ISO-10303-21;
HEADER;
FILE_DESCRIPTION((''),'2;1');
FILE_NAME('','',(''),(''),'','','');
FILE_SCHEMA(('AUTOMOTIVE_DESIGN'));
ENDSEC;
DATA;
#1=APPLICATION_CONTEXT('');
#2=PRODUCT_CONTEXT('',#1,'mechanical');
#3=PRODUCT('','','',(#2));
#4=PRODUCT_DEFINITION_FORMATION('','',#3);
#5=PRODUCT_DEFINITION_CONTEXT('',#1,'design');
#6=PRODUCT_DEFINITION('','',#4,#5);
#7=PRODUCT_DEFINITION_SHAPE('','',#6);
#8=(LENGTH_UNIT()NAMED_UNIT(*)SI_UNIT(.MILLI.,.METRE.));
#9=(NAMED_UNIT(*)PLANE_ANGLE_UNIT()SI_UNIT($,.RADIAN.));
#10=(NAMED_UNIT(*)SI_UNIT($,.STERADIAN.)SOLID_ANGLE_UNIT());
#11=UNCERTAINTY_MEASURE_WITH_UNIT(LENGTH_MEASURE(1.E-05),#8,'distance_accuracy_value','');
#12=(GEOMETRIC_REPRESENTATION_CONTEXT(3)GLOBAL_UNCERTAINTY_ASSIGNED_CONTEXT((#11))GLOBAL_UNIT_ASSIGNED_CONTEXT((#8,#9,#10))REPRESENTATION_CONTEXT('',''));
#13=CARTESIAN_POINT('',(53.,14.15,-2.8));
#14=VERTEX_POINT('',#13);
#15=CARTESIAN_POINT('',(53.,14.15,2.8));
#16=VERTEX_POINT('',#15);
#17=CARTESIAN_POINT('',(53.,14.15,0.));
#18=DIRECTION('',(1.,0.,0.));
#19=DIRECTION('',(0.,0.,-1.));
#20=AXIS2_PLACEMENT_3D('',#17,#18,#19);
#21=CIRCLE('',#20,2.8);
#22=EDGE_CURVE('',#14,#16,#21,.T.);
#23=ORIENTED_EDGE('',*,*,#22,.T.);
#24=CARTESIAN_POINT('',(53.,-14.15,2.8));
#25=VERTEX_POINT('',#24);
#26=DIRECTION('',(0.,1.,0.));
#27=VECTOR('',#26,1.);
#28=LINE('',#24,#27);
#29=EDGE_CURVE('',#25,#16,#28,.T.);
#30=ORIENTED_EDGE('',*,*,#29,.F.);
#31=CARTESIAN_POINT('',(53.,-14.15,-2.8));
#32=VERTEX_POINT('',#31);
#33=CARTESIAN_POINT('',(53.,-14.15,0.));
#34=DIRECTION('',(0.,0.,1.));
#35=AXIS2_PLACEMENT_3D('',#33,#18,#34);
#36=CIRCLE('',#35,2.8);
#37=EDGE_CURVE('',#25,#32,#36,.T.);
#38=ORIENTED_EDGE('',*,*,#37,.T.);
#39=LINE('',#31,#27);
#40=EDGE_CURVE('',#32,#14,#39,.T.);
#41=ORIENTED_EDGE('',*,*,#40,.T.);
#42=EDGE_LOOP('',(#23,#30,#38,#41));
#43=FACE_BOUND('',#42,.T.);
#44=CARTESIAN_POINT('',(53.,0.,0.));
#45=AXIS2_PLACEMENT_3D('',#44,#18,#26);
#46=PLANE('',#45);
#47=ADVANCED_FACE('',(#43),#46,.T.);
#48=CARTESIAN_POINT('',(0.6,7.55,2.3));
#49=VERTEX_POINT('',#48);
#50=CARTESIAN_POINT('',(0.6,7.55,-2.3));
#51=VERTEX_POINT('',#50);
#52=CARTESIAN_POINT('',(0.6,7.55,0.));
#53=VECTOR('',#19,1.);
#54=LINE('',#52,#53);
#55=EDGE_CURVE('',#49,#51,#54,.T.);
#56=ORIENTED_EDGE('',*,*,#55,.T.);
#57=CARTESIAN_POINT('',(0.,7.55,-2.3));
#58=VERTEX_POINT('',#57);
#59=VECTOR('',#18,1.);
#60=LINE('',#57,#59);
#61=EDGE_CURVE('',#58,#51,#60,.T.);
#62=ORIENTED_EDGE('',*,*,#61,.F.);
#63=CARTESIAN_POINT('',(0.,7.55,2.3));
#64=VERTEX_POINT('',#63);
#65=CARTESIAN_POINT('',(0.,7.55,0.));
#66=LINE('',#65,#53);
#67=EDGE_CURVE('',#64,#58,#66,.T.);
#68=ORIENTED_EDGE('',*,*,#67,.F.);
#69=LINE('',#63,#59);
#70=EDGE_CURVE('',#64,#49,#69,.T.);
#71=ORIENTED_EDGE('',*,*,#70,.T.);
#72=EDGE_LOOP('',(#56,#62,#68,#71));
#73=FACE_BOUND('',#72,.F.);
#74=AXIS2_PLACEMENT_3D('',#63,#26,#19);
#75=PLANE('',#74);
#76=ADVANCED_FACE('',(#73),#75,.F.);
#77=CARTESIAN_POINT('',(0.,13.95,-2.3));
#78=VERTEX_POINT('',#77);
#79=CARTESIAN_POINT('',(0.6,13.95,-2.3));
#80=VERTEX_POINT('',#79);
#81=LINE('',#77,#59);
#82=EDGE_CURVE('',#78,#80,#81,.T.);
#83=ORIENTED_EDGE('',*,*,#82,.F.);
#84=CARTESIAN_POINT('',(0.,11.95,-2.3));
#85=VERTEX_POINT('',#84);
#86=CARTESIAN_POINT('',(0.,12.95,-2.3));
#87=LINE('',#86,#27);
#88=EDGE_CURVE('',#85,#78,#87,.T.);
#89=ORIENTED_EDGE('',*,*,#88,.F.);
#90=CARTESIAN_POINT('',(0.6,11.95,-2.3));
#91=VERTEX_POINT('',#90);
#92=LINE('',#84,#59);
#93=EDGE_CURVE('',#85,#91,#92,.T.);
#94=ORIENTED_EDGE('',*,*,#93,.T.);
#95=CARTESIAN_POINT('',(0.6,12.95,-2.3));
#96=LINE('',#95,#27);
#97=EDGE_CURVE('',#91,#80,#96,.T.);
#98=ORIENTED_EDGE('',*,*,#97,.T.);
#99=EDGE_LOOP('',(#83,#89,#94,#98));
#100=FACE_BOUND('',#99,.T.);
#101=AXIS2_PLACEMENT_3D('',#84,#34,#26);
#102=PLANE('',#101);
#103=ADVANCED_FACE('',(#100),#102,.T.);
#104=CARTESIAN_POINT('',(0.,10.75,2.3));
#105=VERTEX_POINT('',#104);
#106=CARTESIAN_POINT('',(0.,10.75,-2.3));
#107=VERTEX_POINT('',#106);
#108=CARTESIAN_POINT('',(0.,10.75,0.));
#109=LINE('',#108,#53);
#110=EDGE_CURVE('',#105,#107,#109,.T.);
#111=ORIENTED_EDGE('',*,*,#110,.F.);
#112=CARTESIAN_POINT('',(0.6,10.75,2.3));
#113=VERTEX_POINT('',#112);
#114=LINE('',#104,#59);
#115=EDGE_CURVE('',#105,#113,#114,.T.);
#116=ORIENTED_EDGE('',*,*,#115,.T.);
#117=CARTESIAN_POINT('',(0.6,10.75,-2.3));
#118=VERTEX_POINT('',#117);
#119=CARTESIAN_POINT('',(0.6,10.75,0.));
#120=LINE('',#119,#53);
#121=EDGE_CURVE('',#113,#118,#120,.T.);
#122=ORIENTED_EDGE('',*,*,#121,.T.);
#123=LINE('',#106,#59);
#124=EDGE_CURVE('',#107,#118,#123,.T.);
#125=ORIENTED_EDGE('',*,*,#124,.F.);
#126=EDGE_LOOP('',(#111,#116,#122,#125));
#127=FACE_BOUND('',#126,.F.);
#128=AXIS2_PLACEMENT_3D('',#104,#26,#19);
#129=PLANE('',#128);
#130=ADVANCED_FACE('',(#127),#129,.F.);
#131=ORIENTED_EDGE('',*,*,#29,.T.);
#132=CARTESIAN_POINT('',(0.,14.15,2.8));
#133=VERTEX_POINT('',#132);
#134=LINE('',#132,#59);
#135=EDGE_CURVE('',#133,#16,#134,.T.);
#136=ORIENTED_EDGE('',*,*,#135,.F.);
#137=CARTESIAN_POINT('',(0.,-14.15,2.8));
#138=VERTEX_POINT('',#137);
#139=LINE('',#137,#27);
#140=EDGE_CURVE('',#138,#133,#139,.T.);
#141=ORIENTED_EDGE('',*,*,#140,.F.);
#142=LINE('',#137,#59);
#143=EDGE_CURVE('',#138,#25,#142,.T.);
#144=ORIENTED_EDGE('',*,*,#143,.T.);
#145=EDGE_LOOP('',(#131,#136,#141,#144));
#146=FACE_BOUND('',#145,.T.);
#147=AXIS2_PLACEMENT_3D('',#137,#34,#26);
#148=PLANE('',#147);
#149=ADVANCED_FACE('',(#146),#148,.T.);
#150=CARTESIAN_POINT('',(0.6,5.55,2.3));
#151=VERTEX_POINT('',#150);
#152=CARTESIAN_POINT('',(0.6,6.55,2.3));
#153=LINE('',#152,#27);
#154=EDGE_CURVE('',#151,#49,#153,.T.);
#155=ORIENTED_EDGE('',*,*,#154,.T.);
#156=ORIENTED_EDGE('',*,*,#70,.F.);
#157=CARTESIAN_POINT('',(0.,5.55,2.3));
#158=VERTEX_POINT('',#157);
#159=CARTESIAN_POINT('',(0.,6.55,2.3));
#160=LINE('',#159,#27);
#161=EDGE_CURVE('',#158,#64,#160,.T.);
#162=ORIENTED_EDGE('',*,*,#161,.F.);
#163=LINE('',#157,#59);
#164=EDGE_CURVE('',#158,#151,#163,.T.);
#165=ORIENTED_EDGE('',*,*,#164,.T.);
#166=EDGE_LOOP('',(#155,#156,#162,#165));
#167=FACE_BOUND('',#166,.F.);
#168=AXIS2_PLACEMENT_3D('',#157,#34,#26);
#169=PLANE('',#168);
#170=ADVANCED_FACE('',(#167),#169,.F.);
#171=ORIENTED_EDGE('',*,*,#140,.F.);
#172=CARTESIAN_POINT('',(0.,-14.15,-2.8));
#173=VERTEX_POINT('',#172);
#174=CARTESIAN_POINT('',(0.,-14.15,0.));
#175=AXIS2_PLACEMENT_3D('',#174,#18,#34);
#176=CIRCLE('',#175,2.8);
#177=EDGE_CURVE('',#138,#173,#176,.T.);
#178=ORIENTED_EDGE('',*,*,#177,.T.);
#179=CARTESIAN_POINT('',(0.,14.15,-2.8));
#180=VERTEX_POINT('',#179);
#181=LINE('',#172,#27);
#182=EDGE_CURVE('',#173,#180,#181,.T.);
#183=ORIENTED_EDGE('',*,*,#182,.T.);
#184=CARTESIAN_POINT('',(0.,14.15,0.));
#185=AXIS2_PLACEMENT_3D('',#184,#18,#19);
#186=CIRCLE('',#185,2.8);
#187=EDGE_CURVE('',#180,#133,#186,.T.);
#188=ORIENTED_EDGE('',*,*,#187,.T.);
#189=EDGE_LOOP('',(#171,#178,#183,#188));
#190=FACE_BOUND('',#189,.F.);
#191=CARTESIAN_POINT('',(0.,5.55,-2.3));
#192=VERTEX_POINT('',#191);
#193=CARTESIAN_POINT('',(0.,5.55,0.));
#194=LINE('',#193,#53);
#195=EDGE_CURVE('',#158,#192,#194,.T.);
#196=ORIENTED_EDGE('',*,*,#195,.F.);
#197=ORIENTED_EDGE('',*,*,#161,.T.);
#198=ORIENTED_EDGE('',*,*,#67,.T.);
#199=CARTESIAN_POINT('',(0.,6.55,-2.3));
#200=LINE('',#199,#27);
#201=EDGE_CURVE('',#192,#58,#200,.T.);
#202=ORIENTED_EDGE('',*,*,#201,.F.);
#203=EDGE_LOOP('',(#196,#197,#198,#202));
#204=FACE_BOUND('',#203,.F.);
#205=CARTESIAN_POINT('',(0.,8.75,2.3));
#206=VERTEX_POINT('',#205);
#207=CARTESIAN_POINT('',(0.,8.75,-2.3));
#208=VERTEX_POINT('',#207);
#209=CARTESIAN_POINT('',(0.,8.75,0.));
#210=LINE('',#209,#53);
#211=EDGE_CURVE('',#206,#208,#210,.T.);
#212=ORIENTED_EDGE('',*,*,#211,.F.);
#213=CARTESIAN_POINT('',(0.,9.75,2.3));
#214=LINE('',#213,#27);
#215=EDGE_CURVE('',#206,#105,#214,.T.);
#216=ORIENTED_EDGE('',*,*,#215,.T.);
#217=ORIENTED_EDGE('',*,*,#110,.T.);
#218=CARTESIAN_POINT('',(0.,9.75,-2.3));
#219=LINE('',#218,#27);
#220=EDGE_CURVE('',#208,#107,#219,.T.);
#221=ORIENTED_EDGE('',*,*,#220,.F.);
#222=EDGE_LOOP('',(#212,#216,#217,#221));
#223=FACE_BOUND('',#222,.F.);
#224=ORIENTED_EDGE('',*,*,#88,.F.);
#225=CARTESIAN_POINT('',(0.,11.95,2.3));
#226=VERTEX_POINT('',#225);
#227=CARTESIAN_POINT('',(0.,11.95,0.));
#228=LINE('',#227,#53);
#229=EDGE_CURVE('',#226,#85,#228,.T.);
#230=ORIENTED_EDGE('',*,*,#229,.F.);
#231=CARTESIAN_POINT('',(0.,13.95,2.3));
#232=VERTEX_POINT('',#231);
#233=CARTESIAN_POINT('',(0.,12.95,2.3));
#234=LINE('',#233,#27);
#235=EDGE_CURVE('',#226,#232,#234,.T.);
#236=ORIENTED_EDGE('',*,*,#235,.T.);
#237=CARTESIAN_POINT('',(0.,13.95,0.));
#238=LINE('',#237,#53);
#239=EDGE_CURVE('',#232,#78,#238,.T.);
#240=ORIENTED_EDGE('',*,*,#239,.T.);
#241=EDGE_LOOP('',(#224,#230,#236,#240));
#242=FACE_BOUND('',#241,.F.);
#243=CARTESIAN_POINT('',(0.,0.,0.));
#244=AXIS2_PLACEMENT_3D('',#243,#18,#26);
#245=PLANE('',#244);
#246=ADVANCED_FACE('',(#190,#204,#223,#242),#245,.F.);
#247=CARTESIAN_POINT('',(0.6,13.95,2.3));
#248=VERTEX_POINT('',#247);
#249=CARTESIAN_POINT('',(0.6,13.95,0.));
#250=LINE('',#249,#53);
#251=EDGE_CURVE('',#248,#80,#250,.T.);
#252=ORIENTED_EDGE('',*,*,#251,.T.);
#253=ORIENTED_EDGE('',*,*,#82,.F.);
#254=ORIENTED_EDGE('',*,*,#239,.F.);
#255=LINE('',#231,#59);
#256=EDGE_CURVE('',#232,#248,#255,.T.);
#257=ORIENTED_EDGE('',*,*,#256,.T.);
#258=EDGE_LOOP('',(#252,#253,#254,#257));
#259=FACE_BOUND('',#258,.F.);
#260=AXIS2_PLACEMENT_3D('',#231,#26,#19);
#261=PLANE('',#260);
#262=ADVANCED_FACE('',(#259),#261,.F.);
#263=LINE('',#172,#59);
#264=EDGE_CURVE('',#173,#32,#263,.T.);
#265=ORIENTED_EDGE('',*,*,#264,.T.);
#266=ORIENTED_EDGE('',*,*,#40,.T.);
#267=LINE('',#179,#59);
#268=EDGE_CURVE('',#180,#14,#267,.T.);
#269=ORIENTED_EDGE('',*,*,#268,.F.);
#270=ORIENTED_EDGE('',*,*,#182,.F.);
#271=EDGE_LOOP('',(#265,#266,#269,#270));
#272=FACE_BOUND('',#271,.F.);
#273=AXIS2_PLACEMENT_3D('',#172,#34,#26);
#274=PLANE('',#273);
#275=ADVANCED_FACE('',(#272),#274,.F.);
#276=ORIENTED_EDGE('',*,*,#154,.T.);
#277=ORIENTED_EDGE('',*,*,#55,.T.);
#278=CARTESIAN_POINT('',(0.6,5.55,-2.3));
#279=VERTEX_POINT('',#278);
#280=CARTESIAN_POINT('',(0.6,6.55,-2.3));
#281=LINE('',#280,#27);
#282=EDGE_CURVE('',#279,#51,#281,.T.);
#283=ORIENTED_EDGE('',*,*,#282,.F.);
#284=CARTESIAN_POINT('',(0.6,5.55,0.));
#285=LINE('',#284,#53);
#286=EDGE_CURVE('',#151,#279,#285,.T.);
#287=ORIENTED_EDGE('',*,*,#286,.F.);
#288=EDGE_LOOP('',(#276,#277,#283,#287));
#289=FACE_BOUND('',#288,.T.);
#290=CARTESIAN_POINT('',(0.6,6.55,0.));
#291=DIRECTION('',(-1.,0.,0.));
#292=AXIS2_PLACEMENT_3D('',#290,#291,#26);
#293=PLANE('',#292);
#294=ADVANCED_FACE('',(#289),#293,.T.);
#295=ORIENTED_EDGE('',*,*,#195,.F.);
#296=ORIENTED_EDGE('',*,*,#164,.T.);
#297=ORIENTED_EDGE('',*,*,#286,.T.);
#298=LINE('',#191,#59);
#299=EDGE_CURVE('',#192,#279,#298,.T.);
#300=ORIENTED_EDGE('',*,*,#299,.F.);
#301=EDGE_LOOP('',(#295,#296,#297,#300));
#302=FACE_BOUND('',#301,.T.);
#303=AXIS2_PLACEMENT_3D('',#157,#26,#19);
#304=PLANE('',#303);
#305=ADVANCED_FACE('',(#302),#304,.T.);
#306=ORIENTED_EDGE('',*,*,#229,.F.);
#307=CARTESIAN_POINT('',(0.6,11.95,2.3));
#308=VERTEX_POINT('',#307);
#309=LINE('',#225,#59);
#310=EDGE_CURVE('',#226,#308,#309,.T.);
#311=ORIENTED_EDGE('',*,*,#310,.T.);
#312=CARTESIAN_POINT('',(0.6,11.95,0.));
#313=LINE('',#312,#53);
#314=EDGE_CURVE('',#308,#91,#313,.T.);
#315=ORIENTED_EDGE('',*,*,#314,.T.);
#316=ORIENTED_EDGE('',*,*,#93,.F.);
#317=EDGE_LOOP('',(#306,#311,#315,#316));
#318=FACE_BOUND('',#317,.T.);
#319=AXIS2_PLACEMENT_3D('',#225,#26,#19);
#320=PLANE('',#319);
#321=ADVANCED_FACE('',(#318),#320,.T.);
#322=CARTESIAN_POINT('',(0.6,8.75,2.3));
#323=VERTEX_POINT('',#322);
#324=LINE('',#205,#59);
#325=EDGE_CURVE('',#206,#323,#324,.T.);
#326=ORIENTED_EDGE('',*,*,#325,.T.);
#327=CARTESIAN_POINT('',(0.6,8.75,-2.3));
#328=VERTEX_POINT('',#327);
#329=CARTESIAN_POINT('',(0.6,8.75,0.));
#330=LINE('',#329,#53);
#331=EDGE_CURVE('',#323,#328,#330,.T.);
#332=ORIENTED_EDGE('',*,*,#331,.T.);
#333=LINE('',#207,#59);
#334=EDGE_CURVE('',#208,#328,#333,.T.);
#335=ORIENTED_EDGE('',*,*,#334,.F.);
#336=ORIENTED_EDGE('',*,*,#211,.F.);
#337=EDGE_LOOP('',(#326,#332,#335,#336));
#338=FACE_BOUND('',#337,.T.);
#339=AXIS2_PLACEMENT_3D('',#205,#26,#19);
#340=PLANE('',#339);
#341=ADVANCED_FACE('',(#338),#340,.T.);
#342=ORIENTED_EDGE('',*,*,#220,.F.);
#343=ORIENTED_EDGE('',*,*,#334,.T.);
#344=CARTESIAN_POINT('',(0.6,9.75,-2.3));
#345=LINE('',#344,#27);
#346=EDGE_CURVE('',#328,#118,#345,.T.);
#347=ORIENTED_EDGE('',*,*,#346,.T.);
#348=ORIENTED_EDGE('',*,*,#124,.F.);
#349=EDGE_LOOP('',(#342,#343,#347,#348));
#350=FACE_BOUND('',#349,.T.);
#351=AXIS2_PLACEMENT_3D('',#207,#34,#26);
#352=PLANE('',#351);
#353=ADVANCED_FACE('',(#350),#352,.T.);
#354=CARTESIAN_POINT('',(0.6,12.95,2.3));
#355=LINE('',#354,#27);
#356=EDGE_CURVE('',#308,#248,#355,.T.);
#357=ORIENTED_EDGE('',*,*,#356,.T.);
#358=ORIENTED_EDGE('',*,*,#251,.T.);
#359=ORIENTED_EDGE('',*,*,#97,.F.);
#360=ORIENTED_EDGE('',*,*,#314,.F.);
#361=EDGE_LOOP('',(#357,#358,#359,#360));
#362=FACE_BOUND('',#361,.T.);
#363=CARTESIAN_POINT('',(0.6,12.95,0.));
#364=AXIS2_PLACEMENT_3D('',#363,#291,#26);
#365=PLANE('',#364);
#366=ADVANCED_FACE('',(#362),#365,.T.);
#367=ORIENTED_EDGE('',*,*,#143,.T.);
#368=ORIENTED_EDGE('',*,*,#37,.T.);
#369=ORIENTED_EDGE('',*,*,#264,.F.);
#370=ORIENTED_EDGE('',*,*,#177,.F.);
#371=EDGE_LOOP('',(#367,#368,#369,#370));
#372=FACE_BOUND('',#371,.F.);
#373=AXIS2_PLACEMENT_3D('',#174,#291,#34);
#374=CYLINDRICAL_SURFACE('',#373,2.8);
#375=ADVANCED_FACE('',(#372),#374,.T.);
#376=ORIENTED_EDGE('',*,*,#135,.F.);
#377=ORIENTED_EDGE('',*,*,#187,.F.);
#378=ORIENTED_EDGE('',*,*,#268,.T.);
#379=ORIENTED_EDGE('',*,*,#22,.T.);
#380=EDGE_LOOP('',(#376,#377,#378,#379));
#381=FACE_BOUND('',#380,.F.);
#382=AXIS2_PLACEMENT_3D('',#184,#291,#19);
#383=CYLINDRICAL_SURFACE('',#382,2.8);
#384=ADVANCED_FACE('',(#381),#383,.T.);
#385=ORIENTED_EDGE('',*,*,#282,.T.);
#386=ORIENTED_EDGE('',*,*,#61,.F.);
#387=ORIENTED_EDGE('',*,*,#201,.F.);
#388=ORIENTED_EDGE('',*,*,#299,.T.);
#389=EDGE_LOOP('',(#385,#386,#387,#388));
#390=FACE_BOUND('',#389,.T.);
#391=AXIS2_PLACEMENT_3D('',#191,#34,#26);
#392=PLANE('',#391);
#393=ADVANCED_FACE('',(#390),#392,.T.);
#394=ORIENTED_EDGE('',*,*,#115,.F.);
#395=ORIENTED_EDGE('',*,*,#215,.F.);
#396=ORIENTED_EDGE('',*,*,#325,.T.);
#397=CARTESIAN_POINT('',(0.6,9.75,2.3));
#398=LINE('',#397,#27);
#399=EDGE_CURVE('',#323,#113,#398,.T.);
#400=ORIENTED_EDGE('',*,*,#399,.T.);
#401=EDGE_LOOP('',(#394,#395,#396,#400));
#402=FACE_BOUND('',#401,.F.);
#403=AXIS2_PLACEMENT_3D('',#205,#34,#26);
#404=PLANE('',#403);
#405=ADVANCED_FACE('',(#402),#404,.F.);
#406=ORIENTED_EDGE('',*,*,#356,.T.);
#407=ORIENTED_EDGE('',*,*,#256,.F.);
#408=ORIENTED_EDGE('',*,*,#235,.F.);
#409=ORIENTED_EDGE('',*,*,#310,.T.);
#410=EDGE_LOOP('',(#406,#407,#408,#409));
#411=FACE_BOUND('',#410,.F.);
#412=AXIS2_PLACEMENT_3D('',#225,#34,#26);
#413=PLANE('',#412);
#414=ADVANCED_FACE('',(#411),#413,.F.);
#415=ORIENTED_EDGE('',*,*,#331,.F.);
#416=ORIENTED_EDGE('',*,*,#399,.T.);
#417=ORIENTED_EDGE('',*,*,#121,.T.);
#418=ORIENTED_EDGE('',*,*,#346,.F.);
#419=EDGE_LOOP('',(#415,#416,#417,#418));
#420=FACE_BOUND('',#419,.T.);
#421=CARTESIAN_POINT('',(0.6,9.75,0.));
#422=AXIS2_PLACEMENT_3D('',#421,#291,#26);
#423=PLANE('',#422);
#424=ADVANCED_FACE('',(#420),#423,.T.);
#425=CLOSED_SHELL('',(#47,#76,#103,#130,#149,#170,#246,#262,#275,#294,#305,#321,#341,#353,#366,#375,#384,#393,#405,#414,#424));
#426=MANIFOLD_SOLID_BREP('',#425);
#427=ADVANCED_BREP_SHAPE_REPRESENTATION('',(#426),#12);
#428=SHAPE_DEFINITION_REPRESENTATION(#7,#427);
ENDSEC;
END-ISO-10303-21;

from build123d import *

# Parameters (mm, degrees)
PAD_DEPTH    = 53
SKETCH001_W  = 2
SKETCH001_H  = 4.6
POCKET_DEPTH = 0.6


with BuildPart() as part:
    # Sketch → Pad (new body)
    with BuildSketch(Plane.YZ):
        with BuildLine():
            ThreePointArc((-14.15, 2.8), (-16.95, 0), (-14.15, -2.8))
            Line((-14.15, -2.8), (14.15, -2.8))
            ThreePointArc((14.15, -2.8), (16.95, 0), (14.15, 2.8))
            Line((-14.15, 2.8), (14.15, 2.8))
        make_face()
    extrude(amount=PAD_DEPTH)

    # Sketch001 (on DatumPlane) → Pocket (cut)
    with BuildSketch(Plane(origin=(0, 0, 0), x_dir=(0, 1, 0), z_dir=(-1, 0, 0))):
        with Locations((12.95, 0)):
            Rectangle(SKETCH001_W, SKETCH001_H)
        with Locations((9.75, 0)):
            Rectangle(SKETCH001_W, SKETCH001_H)
        with Locations((6.55, 0)):
            Rectangle(SKETCH001_W, SKETCH001_H)
    extrude(amount=-POCKET_DEPTH, mode=Mode.SUBTRACT)


solid = part.part
